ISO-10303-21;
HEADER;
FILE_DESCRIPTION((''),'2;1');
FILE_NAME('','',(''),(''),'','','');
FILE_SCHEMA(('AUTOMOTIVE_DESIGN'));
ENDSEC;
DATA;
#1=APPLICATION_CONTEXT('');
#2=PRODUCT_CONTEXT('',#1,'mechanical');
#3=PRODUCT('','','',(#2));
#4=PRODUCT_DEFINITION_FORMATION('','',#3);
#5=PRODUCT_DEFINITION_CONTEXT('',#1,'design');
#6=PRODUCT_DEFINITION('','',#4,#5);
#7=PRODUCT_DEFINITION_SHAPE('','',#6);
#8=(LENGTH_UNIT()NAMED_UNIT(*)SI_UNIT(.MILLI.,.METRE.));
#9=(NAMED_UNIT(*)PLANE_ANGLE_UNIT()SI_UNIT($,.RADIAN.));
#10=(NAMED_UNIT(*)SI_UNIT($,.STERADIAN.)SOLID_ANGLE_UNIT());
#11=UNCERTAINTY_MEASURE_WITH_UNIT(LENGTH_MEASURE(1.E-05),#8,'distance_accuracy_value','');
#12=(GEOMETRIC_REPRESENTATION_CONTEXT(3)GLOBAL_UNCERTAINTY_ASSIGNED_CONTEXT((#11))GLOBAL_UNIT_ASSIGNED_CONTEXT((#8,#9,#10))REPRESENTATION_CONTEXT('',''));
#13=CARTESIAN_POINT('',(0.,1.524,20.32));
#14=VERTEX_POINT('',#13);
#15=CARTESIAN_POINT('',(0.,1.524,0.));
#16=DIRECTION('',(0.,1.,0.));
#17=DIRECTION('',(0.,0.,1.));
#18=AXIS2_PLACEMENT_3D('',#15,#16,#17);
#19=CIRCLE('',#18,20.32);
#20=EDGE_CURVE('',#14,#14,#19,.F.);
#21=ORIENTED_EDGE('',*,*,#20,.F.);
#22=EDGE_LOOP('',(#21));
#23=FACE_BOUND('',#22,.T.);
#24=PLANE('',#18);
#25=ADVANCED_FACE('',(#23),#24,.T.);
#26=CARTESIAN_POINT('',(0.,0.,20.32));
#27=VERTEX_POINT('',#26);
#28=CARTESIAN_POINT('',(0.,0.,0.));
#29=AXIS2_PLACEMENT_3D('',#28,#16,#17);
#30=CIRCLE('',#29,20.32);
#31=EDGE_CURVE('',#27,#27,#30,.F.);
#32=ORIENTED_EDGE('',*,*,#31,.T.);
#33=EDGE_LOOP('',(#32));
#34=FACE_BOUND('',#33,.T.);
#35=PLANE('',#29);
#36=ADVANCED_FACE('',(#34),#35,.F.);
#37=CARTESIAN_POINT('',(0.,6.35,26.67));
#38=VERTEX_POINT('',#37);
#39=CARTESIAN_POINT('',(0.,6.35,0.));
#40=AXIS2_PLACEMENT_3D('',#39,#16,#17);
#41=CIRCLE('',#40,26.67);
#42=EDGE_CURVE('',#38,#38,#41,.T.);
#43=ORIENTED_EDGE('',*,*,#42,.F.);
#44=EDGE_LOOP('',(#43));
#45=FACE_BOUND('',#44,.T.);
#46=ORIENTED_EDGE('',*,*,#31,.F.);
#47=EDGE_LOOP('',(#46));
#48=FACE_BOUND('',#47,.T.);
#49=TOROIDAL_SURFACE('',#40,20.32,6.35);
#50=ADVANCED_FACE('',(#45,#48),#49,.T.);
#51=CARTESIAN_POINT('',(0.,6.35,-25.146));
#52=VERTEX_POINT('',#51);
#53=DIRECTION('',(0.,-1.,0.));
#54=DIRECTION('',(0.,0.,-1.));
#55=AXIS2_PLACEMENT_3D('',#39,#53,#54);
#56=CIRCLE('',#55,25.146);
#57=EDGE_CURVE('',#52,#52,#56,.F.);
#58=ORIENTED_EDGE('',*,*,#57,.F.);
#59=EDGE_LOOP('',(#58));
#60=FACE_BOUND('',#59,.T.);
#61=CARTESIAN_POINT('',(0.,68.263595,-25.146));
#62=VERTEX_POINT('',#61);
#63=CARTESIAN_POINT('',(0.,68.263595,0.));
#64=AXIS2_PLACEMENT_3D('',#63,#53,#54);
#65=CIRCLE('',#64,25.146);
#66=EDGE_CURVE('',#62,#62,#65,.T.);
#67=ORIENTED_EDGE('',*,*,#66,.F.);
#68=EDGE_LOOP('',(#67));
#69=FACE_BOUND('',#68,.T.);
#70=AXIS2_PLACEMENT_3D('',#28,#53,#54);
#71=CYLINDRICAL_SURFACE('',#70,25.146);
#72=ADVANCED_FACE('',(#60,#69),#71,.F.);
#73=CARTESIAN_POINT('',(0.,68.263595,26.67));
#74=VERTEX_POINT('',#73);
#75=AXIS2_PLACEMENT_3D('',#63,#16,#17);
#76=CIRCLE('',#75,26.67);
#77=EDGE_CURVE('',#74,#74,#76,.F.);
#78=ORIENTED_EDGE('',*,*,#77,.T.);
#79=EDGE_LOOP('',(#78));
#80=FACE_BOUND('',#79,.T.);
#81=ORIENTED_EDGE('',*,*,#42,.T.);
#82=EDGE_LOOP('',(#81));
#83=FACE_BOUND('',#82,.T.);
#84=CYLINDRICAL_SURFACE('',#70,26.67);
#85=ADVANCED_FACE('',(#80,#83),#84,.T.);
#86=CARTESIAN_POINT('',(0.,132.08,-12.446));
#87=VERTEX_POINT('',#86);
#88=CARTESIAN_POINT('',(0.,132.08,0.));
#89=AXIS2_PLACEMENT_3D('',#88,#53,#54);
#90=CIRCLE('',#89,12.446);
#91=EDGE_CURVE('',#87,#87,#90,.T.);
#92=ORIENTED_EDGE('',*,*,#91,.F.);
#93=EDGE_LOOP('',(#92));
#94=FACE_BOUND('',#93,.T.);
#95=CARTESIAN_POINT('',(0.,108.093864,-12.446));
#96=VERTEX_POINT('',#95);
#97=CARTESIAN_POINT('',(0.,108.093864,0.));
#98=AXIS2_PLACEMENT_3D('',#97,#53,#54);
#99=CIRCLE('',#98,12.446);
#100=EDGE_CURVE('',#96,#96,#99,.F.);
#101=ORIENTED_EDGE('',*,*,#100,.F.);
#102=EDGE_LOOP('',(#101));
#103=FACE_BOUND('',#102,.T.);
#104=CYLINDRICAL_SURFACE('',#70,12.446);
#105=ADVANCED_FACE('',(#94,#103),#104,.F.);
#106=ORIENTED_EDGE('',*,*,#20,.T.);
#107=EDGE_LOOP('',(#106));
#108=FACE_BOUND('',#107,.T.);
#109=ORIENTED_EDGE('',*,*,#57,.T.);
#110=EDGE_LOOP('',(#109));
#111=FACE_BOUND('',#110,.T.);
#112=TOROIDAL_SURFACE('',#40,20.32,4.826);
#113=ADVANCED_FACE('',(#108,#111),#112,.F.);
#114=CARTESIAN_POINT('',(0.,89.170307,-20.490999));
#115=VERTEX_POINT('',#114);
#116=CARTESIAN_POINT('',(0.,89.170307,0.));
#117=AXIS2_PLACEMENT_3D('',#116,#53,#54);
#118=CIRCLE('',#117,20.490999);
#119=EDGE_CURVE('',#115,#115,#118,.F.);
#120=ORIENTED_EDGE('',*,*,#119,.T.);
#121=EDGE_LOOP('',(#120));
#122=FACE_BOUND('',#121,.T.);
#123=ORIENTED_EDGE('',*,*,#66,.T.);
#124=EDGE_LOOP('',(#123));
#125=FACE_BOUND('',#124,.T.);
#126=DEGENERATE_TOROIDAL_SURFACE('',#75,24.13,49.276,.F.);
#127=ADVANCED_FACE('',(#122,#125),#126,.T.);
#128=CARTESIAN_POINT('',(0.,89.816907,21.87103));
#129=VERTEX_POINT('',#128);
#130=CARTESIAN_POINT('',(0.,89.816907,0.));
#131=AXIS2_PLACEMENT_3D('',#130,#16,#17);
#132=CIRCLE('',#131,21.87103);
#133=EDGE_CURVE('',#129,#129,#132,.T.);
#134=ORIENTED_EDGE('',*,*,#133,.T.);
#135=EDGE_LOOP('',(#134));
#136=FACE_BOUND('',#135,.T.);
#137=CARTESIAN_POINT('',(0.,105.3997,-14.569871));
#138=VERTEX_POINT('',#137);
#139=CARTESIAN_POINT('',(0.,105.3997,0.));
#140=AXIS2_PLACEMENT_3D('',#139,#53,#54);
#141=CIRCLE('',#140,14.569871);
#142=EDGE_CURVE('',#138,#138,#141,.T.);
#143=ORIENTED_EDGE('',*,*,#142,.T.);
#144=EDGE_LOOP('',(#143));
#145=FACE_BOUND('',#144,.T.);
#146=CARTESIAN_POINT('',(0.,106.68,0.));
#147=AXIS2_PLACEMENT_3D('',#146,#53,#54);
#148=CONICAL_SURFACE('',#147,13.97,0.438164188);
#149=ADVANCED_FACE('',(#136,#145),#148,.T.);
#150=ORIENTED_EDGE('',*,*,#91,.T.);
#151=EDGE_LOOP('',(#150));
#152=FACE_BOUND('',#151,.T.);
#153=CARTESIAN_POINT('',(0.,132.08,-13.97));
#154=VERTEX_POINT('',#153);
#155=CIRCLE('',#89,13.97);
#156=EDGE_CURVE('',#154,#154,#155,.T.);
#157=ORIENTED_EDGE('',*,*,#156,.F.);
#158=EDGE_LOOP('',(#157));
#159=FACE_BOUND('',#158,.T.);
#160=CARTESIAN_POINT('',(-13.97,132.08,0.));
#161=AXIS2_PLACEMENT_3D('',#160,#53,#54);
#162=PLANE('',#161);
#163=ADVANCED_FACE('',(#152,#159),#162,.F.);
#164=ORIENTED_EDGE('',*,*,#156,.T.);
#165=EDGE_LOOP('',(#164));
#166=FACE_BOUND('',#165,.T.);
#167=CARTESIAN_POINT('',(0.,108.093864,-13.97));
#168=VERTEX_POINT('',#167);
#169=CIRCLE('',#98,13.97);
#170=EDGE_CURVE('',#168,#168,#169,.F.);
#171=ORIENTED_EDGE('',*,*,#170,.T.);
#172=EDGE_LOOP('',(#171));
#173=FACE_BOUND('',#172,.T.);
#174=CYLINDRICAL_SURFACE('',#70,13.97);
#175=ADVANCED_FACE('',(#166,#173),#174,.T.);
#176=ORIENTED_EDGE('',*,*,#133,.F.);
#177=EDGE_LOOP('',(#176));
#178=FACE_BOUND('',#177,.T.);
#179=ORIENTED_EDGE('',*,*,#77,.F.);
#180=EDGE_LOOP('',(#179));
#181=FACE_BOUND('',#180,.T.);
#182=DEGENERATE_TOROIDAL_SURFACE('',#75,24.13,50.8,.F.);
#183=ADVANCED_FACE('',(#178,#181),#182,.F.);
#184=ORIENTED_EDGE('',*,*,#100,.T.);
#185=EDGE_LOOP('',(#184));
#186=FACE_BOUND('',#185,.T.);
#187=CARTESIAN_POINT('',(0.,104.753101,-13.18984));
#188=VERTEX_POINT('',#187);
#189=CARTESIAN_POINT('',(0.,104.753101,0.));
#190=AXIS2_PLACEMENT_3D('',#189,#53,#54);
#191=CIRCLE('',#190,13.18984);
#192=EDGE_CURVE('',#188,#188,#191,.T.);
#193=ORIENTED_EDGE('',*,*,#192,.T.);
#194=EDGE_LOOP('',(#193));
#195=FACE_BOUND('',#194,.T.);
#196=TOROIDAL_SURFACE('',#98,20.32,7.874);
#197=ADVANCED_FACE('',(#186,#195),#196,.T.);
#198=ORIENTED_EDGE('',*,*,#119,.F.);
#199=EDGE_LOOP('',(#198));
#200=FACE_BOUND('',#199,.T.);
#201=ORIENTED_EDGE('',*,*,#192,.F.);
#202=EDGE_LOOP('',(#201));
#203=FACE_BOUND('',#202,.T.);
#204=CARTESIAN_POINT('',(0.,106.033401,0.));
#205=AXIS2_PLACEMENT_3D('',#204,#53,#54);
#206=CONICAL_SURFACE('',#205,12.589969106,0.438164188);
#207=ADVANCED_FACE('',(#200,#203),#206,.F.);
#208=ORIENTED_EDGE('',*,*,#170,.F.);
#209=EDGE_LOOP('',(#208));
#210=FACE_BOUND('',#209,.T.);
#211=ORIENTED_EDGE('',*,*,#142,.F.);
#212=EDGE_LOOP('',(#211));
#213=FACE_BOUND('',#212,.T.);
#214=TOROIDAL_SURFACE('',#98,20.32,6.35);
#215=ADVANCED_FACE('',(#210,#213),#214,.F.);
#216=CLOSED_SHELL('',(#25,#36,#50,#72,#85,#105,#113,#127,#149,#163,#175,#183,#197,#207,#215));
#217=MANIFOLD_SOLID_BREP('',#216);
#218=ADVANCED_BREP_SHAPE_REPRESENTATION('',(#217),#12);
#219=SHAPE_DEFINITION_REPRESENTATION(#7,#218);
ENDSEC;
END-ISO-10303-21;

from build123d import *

# Parameters (mm, degrees)
FILLET1_R = 6.35
FILLET2_R = 50.8
SHELL1_T  = -1.524


with BuildPart() as part:
    # Sketch1 → Revolve1 (revolve)
    with BuildSketch(Plane.XY, mode=Mode.PRIVATE) as revolve1_sk:
        Polygon((0, 0), (0, 132.08), (-13.97, 132.08), (-13.97, 106.68), (-26.67, 79.574510135), (-26.67, 0), align=None)
    revolve(revolve1_sk.sketch.rotate(Axis((0, 0, 0), (0, 1, 0)), 270), axis=Axis((0, 0, 0), (0, 1, 0)))

    # Fillet1
    fillet1_edges = [part.edges().sort_by_distance(p)[0] for p in [
        (0, 106.68, 13.97),
        (0, 0, 26.67),
    ]]
    fillet(fillet1_edges, radius=FILLET1_R)

    # Fillet2
    fillet2_edges = [part.edges().sort_by_distance(p)[0] for p in [
        (0, 79.574510135, 26.67),
    ]]
    fillet(fillet2_edges, radius=FILLET2_R)

    # Shell1
    shell1_openings = [part.faces().sort_by_distance(p)[0] for p in [
        (0, 132.08, 0),
    ]]
    offset(amount=SHELL1_T, openings=shell1_openings, kind=Kind.INTERSECTION)


solid = part.part
